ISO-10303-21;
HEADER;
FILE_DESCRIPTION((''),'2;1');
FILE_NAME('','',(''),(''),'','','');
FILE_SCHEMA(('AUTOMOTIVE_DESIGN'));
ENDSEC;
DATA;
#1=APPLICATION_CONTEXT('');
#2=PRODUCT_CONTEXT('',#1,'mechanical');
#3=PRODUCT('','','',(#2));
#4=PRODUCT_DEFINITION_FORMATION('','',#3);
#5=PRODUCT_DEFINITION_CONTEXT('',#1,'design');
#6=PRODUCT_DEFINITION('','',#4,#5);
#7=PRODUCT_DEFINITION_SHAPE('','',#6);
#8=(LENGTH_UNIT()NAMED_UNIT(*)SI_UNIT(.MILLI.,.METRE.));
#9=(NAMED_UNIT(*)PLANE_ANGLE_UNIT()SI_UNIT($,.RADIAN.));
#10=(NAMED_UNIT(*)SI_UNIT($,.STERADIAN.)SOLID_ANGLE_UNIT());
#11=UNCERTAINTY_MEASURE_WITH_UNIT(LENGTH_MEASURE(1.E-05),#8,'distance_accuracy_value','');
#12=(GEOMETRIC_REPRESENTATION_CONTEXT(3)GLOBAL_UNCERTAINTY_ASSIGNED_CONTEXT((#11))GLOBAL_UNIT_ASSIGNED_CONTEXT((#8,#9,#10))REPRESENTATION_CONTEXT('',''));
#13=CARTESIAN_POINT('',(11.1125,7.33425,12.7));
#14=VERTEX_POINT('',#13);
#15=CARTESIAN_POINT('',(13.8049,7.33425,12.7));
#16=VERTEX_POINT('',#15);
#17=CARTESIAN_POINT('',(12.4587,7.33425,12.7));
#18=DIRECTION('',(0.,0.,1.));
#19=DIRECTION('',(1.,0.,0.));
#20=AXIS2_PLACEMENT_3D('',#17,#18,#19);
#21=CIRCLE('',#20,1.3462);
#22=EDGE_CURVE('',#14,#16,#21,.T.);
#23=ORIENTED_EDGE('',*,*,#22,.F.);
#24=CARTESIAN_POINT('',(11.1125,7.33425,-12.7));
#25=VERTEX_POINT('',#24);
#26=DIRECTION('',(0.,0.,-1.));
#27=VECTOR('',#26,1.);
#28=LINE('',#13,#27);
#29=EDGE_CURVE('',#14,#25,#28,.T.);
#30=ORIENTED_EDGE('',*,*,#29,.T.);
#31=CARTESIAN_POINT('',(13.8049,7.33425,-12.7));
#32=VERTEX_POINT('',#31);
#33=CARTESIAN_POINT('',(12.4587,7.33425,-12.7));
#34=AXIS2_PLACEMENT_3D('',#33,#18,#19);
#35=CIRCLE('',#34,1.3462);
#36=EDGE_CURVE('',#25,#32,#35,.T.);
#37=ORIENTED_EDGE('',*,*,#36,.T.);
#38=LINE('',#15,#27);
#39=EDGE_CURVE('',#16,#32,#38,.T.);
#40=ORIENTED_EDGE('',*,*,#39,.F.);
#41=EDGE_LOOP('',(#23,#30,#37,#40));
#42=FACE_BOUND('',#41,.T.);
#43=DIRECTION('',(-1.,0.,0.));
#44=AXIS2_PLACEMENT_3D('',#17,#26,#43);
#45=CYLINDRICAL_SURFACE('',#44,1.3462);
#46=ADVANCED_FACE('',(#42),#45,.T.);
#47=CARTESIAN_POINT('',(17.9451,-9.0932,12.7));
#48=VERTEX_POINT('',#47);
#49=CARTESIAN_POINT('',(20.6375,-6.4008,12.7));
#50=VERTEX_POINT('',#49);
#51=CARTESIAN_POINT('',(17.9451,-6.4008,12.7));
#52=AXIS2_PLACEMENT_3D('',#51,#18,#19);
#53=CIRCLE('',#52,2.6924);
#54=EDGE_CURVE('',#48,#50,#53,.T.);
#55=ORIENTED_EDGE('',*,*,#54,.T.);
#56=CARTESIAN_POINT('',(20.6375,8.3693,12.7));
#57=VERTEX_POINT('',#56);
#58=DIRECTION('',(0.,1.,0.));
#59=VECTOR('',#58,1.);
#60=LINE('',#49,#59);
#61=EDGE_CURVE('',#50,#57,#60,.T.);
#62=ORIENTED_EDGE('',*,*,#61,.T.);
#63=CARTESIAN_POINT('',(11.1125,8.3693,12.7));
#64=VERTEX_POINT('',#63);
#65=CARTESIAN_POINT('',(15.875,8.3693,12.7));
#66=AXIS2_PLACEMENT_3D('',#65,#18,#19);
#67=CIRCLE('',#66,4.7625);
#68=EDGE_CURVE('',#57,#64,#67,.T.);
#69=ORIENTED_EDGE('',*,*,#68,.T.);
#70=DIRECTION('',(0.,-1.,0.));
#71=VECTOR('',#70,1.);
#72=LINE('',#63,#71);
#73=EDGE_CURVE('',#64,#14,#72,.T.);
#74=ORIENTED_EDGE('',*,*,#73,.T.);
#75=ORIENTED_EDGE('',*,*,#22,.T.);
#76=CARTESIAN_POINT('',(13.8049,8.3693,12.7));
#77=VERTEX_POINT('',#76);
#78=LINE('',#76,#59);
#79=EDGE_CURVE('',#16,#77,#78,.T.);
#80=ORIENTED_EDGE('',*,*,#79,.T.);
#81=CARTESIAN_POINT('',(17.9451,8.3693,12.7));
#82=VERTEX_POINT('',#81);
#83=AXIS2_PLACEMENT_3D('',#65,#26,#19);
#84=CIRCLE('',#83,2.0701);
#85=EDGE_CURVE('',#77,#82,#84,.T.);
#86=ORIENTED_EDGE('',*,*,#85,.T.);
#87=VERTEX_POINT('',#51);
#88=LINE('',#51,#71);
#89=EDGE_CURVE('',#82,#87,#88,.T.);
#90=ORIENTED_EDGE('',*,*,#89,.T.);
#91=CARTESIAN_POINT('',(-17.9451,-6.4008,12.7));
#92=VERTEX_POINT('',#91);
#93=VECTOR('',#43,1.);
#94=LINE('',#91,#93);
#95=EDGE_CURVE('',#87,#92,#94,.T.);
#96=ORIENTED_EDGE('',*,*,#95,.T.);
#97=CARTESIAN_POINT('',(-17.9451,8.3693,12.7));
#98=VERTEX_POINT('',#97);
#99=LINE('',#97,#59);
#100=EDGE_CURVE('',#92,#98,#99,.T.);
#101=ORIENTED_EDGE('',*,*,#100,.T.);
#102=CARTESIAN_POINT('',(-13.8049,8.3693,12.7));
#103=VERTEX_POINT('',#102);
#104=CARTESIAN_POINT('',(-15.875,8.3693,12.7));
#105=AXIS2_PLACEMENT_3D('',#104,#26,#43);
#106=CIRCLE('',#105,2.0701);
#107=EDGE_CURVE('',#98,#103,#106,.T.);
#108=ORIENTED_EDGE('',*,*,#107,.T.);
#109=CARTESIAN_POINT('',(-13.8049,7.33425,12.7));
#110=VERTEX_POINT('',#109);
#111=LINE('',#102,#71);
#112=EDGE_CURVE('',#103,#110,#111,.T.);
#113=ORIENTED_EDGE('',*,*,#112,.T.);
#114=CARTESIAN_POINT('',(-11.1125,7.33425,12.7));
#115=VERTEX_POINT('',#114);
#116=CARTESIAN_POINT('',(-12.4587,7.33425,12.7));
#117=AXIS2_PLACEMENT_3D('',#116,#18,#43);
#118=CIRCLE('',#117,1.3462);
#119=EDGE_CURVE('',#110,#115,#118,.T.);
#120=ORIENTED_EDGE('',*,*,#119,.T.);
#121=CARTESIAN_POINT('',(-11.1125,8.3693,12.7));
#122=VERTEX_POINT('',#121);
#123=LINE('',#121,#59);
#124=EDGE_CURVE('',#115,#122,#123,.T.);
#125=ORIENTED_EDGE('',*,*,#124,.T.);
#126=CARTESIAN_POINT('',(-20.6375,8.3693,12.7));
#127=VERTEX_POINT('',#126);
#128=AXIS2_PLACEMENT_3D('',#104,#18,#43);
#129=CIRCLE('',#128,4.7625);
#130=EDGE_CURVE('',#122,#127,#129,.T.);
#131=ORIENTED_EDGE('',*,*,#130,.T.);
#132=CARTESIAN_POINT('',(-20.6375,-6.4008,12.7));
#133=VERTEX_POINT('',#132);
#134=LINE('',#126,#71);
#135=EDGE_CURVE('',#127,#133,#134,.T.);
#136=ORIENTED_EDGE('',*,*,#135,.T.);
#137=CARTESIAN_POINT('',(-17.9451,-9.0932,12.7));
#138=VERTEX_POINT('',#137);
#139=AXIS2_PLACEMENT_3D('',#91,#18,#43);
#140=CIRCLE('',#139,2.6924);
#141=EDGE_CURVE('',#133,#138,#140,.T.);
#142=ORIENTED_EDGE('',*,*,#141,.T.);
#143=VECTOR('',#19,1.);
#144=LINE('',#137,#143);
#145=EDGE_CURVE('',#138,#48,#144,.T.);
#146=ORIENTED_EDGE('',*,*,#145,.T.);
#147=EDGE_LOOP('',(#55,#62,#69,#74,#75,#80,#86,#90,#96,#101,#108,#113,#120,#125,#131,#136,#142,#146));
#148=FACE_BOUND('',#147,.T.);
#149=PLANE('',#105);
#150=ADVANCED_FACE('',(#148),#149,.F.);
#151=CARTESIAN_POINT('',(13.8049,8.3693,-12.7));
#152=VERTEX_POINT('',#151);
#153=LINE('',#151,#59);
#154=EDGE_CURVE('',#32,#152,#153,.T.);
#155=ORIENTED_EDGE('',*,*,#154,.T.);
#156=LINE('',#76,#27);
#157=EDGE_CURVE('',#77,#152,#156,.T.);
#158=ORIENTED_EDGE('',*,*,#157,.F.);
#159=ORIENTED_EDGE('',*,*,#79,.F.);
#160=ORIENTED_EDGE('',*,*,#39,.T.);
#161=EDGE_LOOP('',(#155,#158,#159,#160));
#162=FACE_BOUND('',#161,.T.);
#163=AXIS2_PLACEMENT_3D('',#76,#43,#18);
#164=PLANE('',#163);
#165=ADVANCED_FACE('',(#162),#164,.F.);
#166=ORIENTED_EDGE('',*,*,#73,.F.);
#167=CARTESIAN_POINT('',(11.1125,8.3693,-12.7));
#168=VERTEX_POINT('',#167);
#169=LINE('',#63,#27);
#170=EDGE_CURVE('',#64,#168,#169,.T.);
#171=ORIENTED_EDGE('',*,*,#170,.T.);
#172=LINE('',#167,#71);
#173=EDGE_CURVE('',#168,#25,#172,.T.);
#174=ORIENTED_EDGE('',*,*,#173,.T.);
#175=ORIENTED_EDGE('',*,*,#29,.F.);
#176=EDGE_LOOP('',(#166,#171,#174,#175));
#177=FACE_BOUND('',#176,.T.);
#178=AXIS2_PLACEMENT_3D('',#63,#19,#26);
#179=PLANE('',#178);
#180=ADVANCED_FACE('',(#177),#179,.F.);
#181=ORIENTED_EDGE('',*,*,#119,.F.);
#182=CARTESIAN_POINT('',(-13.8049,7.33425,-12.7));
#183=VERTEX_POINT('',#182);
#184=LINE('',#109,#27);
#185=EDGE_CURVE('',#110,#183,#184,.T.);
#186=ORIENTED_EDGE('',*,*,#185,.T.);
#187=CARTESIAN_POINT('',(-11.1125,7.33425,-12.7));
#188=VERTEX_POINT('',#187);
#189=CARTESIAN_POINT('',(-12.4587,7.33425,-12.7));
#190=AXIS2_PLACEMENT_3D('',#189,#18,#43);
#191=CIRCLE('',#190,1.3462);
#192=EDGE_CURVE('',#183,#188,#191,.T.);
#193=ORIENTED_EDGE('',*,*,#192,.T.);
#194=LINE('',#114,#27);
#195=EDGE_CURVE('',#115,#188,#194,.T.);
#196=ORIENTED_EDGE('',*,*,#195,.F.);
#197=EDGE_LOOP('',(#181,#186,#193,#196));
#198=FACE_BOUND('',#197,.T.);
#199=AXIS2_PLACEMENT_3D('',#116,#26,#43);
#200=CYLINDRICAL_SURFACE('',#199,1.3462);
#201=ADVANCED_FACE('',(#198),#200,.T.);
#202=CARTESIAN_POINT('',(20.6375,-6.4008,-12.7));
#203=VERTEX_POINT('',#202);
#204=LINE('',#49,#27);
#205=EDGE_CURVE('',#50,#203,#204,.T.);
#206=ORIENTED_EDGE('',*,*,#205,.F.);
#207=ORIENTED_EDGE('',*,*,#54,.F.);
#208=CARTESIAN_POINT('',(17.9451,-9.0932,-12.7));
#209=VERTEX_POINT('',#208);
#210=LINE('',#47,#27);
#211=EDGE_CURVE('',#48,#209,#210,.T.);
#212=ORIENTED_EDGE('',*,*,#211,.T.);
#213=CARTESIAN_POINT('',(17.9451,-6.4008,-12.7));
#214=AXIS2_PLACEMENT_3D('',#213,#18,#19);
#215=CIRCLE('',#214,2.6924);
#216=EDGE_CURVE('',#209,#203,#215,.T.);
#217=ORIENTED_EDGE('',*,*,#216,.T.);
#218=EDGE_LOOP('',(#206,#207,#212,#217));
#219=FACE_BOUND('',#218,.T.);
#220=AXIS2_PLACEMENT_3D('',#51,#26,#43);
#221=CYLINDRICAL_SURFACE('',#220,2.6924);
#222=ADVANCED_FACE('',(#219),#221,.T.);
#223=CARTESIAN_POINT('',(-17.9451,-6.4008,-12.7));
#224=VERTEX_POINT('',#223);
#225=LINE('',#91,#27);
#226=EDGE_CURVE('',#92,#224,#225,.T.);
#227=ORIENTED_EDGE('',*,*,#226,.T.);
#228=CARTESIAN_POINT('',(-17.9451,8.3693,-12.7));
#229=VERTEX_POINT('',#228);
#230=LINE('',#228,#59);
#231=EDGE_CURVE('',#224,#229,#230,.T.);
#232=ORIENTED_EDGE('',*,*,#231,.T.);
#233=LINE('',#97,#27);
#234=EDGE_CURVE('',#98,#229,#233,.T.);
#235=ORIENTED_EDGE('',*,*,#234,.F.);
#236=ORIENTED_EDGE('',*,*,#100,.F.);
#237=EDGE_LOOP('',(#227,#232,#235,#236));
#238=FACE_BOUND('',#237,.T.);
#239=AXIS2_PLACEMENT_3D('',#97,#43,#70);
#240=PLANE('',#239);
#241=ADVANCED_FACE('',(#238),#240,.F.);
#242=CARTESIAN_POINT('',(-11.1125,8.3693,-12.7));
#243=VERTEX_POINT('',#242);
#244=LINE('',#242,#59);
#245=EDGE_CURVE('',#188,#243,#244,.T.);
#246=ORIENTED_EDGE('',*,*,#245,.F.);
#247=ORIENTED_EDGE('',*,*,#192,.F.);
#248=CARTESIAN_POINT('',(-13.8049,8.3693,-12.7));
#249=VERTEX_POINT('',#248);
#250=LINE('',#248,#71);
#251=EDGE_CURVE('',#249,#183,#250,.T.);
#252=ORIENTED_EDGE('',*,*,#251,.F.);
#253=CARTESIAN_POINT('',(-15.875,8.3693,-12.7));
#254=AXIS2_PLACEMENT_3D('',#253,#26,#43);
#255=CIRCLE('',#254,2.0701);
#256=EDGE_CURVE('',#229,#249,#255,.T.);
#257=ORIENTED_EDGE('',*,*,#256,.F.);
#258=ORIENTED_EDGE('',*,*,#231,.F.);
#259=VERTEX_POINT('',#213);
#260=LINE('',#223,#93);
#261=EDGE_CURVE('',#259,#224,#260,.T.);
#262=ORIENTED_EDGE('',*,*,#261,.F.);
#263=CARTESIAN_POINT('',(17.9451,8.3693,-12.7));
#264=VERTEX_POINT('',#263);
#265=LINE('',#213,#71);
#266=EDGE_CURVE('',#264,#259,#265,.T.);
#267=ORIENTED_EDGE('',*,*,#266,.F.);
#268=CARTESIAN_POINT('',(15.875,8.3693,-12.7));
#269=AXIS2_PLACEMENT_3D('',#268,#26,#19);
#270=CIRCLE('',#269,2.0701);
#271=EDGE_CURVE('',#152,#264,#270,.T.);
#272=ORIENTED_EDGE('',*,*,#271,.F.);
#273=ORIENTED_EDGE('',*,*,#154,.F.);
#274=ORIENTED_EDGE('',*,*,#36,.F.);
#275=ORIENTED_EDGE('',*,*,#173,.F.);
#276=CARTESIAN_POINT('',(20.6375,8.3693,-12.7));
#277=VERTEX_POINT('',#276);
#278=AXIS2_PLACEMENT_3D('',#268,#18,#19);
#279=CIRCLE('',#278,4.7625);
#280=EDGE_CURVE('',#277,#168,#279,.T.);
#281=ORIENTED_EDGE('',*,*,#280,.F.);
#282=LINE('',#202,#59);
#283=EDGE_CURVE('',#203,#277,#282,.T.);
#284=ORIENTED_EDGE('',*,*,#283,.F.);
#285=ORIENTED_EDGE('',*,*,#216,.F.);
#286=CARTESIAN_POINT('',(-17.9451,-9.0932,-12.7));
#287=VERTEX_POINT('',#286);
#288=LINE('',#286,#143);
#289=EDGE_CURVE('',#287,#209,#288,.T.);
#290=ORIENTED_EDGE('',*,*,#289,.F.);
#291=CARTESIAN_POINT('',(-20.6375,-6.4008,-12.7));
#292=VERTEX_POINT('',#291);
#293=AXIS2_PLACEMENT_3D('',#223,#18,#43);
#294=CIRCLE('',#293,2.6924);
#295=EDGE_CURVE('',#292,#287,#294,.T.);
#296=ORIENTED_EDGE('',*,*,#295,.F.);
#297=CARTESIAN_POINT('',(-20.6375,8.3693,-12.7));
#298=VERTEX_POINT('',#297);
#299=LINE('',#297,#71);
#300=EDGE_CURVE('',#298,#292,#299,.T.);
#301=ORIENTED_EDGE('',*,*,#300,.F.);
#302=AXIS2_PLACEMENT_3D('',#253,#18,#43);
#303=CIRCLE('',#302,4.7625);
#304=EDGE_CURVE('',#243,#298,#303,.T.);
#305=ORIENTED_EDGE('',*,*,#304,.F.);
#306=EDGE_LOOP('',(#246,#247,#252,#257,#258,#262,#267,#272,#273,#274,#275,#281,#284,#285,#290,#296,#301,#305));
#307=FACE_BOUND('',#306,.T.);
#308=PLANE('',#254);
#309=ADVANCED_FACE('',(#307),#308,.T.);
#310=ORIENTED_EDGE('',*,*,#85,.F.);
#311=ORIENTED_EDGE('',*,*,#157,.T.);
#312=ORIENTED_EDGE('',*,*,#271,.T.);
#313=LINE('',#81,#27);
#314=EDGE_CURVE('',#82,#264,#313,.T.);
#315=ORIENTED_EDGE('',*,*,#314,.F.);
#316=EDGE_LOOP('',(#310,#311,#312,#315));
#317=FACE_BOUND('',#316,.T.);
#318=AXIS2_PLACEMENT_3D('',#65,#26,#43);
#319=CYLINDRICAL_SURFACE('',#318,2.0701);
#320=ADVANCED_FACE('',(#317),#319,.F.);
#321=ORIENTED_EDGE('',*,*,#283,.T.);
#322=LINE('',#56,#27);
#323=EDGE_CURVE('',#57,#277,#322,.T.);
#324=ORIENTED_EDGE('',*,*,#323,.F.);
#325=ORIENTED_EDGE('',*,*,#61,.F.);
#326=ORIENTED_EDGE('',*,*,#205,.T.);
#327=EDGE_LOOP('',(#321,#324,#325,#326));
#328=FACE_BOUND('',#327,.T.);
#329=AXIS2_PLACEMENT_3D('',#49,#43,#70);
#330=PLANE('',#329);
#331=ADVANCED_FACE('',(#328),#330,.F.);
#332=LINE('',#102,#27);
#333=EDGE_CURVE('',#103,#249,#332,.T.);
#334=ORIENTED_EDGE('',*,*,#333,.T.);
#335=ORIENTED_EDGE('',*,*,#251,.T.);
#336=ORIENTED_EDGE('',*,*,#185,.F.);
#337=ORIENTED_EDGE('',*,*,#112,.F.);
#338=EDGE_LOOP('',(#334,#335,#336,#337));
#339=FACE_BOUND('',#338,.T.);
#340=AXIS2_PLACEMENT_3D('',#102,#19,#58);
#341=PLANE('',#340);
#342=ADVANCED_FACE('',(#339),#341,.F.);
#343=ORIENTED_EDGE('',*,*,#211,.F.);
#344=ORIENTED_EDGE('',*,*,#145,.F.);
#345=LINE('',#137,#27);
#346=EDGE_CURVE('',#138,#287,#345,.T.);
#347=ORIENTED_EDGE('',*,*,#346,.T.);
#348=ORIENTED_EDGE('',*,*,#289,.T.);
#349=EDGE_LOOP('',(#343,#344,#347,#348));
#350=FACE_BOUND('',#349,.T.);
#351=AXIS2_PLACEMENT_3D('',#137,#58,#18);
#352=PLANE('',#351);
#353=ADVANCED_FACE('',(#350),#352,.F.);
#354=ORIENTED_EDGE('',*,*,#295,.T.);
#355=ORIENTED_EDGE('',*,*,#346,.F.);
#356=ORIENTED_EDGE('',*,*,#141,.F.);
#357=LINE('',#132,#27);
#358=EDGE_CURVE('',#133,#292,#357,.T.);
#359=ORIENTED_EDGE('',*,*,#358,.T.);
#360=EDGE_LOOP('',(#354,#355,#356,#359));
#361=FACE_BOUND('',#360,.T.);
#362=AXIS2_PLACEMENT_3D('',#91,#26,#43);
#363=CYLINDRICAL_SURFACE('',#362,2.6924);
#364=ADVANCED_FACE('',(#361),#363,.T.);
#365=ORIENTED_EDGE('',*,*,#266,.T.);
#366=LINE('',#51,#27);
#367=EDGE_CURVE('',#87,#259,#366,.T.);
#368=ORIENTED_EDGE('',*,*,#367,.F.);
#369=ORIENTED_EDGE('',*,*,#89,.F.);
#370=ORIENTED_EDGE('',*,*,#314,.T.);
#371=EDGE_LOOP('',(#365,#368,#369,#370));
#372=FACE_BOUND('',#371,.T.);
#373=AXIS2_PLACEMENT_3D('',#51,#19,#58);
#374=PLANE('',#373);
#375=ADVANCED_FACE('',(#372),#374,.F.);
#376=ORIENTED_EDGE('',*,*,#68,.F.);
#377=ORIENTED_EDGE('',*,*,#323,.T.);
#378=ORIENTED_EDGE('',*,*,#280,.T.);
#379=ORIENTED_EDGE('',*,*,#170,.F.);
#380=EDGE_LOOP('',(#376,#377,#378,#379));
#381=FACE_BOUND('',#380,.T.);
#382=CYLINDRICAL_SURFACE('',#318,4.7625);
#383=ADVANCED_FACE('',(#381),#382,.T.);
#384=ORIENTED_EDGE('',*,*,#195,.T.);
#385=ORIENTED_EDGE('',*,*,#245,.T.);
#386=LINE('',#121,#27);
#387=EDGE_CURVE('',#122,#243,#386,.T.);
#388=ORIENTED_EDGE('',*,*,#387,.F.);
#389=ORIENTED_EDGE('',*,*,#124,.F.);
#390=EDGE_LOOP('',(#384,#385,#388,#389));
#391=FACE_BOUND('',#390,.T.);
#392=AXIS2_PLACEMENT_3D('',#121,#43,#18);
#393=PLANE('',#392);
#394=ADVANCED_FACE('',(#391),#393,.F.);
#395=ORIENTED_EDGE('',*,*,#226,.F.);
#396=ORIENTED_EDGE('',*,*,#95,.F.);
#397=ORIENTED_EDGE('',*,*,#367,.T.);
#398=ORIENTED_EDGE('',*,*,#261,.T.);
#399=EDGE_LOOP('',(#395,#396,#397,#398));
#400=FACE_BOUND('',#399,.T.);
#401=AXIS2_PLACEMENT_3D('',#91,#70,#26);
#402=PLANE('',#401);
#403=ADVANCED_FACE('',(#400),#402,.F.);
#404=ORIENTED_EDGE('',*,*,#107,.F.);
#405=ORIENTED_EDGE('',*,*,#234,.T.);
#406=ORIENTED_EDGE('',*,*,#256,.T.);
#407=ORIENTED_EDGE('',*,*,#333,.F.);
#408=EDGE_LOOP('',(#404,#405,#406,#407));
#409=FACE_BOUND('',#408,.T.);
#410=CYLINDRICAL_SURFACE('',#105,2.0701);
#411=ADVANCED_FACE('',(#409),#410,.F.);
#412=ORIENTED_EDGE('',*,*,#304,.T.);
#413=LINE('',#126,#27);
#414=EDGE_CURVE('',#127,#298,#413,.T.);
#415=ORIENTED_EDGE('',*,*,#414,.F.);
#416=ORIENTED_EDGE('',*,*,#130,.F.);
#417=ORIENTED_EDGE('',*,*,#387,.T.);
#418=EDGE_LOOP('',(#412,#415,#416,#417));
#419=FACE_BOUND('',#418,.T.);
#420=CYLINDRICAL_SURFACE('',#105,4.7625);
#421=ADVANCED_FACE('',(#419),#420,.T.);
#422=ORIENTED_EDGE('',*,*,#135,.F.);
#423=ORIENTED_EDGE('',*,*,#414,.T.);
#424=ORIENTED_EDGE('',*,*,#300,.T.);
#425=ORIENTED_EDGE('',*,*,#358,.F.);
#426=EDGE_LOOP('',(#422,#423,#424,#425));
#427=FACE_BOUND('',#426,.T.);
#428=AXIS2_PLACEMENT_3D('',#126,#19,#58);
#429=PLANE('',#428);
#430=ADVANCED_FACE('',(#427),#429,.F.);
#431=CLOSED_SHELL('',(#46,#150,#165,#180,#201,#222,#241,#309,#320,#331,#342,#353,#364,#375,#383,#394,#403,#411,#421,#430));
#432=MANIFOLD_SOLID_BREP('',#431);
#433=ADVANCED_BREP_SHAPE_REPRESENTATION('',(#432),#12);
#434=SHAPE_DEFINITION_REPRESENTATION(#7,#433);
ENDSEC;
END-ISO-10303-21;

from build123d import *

# Parameters (mm, degrees)
BASE_EXTRUDE_DEPTH = 12.7


with BuildPart() as part:
    # Sketch1 → Base-Extrude (new, symmetric)
    with BuildSketch(Plane.XY):
        with BuildLine():
            Line((-20.6375, 8.3693), (-20.6375, -6.4008))
            ThreePointArc((-20.6375, -6.4008), (-19.848914298, -8.304614298), (-17.9451, -9.0932))
            Line((-17.9451, -9.0932), (17.9451, -9.0932))
            ThreePointArc((17.9451, -9.0932), (19.848914298, -8.304614298), (20.6375, -6.4008))
            Line((20.6375, -6.4008), (20.6375, 8.3693))
            ThreePointArc((20.6375, 8.3693), (15.875, 13.1318), (11.1125, 8.3693))
            Line((11.1125, 8.3693), (11.1125, 7.33425))
            ThreePointArc((11.1125, 7.33425), (12.4587, 5.98805), (13.8049, 7.33425))
            Line((13.8049, 7.33425), (13.8049, 8.3693))
            ThreePointArc((13.8049, 8.3693), (15.875, 10.4394), (17.9451, 8.3693))
            Line((17.9451, 8.3693), (17.9451, -6.4008))
            Line((17.9451, -6.4008), (-17.9451, -6.4008))
            Line((-17.9451, -6.4008), (-17.9451, 8.3693))
            ThreePointArc((-17.9451, 8.3693), (-15.875, 10.4394), (-13.8049, 8.3693))
            Line((-13.8049, 8.3693), (-13.8049, 7.33425))
            ThreePointArc((-13.8049, 7.33425), (-12.4587, 5.98805), (-11.1125, 7.33425))
            Line((-11.1125, 7.33425), (-11.1125, 8.3693))
            ThreePointArc((-11.1125, 8.3693), (-15.875, 13.1318), (-20.6375, 8.3693))
        make_face()
    extrude(amount=BASE_EXTRUDE_DEPTH, both=True)


solid = part.part
